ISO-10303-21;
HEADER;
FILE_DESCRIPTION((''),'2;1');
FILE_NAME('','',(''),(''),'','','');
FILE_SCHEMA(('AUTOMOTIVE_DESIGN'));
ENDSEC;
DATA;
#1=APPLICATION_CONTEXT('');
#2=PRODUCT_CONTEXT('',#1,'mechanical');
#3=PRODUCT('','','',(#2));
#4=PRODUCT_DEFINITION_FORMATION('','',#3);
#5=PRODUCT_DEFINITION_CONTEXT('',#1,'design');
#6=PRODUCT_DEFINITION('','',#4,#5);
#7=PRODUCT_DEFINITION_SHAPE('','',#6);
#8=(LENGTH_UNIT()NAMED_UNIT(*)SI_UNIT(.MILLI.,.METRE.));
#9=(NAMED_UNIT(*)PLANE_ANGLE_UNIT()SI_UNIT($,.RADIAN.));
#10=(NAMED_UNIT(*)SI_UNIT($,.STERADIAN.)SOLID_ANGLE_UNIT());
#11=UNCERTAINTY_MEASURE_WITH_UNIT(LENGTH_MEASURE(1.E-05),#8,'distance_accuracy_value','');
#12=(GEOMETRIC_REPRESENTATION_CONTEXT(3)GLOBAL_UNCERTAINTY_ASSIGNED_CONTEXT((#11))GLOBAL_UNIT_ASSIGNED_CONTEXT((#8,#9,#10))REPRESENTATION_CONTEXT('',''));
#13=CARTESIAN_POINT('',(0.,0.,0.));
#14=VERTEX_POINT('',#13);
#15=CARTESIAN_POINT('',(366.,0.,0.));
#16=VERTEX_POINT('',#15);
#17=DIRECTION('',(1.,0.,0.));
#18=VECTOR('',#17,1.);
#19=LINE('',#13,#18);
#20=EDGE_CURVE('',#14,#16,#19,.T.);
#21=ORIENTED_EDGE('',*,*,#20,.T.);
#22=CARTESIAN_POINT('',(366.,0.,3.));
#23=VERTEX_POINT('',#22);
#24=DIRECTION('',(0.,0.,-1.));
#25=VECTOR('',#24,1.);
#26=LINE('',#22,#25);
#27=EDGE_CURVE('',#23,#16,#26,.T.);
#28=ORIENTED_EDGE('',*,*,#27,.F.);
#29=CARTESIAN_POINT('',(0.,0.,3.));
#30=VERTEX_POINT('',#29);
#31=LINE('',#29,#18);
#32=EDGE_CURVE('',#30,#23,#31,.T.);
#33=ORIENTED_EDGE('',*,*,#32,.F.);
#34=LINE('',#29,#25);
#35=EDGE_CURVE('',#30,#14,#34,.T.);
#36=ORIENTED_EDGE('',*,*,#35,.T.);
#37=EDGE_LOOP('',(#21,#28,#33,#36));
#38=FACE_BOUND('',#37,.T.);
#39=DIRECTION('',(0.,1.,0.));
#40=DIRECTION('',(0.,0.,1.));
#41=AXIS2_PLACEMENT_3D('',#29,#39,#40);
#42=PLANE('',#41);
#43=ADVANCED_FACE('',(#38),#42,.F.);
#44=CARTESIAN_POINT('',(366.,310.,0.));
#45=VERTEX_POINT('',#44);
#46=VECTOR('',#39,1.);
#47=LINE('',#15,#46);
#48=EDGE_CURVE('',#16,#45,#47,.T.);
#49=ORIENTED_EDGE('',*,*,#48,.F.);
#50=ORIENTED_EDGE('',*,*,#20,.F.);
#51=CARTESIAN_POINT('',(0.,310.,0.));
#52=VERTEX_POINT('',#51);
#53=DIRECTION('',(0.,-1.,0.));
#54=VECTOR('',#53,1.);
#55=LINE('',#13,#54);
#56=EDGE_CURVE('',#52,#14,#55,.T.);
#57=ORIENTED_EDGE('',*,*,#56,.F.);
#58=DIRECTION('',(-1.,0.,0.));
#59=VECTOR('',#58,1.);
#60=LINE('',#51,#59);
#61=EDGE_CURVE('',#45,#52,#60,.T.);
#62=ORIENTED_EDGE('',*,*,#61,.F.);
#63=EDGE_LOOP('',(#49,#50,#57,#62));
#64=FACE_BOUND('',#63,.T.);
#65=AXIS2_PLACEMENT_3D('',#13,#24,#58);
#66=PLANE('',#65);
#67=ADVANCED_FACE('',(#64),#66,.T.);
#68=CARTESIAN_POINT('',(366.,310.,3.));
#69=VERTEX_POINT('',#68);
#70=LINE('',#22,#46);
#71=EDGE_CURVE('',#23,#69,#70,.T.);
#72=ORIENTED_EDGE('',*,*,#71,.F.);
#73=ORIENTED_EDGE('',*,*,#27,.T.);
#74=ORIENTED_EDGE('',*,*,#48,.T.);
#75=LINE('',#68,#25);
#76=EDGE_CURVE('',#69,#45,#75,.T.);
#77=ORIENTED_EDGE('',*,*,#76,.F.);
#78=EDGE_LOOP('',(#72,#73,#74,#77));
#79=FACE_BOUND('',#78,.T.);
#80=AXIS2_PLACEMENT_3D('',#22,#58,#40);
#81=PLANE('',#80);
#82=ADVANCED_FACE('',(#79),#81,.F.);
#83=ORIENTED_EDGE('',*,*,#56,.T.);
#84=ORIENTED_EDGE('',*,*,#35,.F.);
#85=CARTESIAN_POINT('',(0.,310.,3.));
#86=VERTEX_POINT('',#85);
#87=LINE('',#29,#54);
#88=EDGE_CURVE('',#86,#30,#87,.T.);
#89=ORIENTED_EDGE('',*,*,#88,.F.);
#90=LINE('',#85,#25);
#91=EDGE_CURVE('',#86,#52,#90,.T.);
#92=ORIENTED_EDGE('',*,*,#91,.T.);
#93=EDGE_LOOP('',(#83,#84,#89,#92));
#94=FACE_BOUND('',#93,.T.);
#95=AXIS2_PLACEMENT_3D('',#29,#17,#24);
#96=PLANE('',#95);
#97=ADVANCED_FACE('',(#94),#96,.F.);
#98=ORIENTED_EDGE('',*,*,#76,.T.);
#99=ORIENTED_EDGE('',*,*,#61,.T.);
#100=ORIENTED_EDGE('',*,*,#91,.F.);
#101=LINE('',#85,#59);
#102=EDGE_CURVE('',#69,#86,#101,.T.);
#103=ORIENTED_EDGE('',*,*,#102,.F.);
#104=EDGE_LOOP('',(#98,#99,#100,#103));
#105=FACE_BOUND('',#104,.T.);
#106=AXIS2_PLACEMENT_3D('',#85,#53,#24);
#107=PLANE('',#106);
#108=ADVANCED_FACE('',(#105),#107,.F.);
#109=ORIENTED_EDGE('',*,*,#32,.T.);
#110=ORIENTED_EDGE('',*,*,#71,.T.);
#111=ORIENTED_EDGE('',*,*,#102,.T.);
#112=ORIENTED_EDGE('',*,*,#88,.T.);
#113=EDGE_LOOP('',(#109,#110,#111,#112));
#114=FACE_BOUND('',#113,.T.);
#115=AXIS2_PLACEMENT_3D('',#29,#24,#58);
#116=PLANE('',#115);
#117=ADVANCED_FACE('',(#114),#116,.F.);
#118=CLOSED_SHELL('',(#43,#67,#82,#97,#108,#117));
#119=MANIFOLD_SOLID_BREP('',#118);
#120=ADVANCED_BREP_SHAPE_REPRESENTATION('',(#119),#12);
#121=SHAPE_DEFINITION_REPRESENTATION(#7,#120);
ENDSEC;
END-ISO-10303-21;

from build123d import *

# Parameters (mm, degrees)
SKETCH_1_W      = 366
SKETCH_1_H      = 310
EXTRUDE_1_DEPTH = 3


with BuildPart() as part:
    # 草图1 → 凸台-拉伸1 (new body)
    with BuildSketch(Plane.XY):
        with Locations((183, 155)):
            Rectangle(SKETCH_1_W, SKETCH_1_H)
    extrude(amount=EXTRUDE_1_DEPTH)


solid = part.part
